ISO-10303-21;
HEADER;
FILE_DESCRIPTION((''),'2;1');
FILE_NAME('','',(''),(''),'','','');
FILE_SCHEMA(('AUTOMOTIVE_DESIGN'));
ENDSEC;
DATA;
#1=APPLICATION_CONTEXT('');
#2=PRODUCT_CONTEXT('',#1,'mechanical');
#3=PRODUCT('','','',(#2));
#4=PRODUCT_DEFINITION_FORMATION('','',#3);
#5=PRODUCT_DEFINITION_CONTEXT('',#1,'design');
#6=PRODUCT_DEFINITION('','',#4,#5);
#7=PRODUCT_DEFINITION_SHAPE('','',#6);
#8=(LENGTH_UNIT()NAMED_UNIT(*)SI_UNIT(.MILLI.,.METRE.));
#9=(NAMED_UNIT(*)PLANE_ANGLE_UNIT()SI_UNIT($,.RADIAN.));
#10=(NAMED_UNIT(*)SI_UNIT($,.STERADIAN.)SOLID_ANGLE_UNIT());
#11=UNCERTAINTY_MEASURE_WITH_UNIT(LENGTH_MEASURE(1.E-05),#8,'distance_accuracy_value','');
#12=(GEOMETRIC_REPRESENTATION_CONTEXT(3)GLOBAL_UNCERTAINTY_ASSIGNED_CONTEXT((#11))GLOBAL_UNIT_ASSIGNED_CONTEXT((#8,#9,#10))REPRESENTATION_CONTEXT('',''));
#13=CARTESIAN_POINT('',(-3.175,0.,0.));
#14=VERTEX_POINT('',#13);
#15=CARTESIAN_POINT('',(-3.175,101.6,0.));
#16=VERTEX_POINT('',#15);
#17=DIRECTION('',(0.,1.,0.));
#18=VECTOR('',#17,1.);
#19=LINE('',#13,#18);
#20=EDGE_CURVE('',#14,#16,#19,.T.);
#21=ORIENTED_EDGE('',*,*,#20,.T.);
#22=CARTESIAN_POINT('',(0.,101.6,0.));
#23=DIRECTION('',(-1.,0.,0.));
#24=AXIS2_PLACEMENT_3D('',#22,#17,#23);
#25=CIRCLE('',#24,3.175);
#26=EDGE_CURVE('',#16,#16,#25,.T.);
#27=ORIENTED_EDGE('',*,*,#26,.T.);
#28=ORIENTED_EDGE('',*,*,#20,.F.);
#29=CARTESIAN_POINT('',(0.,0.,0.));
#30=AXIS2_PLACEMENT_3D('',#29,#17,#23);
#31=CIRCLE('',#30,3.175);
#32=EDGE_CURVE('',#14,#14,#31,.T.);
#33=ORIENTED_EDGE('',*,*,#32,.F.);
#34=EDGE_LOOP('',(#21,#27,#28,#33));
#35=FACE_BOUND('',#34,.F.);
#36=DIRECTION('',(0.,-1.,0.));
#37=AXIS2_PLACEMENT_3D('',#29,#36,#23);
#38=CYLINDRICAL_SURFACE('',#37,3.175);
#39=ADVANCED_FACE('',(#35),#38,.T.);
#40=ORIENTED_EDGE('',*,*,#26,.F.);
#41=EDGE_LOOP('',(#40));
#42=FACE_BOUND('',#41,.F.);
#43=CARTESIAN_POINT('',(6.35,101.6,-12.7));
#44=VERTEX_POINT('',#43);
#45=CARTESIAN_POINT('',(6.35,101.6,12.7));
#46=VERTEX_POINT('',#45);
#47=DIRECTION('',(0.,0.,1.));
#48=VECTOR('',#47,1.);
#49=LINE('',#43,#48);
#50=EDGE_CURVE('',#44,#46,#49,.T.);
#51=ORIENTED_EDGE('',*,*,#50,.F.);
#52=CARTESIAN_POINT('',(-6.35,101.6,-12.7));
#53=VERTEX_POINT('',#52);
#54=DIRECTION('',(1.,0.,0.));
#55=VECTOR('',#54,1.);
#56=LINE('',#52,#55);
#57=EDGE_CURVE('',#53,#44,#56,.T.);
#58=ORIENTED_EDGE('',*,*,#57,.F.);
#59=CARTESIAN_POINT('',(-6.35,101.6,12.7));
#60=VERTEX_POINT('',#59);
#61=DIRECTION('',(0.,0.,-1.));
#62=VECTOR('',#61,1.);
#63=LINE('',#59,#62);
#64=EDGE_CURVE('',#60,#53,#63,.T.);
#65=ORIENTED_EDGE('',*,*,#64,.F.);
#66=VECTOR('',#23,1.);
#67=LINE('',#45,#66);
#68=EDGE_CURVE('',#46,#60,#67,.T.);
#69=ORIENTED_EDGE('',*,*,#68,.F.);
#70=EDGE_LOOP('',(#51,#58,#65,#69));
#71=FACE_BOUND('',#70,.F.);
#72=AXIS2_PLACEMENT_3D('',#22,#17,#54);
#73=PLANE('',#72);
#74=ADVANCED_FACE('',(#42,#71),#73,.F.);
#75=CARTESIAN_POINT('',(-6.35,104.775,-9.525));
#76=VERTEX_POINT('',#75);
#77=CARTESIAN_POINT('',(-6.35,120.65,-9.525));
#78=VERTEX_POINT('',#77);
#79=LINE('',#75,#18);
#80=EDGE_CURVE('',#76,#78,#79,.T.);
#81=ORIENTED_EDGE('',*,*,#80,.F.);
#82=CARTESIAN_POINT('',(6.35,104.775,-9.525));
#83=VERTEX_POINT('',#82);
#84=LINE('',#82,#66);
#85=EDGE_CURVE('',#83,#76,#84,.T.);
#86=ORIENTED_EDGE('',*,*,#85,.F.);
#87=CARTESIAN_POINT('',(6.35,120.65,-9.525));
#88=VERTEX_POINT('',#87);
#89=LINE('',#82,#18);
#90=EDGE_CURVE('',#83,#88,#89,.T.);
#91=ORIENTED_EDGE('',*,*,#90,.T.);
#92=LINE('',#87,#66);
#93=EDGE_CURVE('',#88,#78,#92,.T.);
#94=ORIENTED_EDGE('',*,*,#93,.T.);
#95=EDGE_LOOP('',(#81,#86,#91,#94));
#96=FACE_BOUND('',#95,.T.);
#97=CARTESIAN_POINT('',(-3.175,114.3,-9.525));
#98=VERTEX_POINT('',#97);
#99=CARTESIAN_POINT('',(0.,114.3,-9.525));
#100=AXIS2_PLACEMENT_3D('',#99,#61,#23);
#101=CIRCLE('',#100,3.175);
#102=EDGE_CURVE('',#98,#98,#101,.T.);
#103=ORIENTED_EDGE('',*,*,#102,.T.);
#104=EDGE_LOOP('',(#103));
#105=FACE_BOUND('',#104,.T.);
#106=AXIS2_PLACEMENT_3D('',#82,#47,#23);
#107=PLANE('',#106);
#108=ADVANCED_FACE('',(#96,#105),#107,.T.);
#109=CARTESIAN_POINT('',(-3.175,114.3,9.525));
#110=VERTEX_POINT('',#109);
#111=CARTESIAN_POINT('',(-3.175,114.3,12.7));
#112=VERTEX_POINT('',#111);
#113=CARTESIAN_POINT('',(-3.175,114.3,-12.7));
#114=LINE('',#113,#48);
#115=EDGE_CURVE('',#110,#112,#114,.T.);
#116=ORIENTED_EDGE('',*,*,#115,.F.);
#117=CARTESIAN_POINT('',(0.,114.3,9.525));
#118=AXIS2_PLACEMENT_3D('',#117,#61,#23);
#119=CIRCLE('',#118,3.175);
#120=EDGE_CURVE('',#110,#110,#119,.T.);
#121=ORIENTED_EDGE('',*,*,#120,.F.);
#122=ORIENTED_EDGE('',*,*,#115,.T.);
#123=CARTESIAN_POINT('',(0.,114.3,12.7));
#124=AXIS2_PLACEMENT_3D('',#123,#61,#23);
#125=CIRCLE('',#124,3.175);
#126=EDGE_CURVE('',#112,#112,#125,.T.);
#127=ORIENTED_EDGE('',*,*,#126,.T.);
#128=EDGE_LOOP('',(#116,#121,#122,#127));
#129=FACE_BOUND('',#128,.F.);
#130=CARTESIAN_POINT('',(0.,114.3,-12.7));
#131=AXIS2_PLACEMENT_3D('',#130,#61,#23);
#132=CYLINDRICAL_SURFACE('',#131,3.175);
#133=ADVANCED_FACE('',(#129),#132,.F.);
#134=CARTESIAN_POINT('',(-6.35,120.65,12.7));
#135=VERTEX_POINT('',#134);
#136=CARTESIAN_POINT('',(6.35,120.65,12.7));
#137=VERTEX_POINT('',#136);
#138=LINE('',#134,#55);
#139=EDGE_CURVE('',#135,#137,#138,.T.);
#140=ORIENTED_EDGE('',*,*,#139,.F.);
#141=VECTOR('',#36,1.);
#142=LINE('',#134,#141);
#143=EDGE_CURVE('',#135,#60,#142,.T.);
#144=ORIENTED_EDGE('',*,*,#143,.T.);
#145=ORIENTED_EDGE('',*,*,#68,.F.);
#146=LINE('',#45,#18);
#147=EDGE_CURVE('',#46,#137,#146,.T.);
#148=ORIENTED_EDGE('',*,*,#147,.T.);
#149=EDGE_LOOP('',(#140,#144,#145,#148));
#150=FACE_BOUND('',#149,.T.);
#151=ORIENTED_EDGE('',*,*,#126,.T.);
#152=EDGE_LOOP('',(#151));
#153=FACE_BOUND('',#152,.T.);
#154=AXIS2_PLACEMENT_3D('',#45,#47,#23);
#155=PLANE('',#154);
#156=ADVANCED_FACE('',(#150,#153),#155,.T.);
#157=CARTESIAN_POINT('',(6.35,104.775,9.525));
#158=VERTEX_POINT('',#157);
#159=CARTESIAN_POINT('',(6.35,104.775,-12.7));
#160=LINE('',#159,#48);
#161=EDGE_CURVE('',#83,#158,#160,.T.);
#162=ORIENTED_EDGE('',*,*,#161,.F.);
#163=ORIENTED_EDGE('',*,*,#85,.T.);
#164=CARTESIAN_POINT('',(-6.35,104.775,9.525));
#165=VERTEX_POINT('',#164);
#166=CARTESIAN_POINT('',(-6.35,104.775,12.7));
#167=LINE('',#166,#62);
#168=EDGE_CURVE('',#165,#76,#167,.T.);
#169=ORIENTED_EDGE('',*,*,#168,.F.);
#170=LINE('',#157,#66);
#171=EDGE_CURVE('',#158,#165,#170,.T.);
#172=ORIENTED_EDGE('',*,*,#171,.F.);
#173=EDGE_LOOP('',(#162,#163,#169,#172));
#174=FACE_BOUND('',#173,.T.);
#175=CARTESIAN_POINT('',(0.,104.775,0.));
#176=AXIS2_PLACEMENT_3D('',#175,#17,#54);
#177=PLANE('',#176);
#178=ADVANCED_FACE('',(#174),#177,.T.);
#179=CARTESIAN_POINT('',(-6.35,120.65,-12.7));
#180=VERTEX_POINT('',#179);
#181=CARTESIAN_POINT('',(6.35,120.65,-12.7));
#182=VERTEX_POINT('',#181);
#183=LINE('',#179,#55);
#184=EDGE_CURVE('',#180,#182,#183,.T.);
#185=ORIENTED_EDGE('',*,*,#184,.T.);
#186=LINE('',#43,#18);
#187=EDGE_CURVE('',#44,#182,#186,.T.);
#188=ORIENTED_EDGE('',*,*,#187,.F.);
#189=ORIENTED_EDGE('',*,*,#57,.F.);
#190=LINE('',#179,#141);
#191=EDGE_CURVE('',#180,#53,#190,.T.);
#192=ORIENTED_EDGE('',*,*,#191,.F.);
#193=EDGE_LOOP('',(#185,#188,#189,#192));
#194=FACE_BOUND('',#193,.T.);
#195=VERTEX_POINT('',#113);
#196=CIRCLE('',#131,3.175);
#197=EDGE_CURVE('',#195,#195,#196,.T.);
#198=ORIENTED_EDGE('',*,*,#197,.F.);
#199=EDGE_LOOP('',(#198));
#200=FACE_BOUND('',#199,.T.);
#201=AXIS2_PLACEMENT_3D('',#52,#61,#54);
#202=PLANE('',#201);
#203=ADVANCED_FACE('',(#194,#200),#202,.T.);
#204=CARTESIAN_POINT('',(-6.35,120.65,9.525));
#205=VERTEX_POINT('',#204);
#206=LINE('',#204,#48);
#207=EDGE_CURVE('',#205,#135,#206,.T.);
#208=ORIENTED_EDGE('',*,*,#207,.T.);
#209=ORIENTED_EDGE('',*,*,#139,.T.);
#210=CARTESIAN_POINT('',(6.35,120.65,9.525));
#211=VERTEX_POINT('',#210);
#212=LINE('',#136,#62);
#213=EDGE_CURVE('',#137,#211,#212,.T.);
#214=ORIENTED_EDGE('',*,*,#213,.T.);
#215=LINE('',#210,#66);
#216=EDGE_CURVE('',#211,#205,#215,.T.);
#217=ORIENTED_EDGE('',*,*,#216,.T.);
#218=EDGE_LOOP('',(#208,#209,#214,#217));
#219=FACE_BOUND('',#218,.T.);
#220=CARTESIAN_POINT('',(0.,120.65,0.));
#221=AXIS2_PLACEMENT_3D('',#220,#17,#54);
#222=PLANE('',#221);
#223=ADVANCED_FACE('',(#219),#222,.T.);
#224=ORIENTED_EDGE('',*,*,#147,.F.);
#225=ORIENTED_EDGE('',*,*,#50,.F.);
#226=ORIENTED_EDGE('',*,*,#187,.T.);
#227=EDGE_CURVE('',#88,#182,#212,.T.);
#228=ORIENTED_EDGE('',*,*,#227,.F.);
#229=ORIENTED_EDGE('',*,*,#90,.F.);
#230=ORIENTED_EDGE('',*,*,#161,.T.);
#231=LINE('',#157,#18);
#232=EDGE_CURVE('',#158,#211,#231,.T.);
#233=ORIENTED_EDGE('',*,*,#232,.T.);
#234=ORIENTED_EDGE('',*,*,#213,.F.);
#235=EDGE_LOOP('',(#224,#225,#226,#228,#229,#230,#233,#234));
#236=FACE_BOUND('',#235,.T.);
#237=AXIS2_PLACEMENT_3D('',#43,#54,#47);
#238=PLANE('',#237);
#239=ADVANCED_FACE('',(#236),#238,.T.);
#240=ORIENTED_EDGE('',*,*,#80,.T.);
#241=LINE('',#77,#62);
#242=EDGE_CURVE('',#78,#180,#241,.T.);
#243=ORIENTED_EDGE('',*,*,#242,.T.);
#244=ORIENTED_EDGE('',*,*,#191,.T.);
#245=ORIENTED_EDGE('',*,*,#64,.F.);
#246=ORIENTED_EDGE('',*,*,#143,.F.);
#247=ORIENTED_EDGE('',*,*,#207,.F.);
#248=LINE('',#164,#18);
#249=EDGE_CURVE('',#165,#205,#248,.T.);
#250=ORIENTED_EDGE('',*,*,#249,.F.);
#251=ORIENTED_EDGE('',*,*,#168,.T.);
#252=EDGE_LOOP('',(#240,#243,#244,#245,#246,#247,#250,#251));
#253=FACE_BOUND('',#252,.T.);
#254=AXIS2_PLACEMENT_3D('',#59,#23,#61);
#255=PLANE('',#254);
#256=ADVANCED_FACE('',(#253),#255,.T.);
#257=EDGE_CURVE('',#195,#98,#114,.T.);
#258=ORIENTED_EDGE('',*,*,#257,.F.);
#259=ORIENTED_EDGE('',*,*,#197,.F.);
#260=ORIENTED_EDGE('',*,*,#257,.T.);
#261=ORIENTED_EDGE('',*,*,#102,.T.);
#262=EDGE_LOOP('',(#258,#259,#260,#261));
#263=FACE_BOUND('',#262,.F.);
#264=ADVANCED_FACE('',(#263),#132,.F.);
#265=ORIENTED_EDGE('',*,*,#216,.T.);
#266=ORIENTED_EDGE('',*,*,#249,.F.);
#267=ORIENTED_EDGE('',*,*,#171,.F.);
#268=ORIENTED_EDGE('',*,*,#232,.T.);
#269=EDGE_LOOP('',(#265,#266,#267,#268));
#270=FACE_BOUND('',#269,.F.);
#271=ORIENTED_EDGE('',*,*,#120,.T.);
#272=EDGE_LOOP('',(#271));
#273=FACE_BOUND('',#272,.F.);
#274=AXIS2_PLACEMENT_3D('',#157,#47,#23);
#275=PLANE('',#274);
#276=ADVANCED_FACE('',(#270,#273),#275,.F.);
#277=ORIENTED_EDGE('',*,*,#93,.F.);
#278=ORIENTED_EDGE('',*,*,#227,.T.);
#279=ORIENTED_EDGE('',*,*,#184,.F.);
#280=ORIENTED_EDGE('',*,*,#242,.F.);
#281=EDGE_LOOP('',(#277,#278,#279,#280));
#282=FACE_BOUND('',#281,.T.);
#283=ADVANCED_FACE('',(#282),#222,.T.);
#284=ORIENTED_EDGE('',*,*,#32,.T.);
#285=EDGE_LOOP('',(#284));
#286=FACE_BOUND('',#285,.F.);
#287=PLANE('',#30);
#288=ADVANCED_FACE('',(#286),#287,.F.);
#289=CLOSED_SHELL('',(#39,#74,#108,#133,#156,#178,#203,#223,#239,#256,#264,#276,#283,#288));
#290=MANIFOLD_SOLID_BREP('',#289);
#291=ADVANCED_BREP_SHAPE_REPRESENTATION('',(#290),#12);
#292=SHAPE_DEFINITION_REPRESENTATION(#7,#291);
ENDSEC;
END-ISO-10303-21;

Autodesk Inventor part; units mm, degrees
ref_plane "YZ Plane" through (0, 0, 0) normal (1, 0, 0) x (0, 1, 0)
ref_plane "XZ Plane" through (0, 0, 0) normal (0, 1, 0) x (-1, 0, 0)
ref_plane "XY Plane" through (0, 0, 0) normal (0, 0, 1) x (1, 0, 0)
sketch "Sketch1" plane through (0, 0, 0) normal (0, 1, 0) x (-1, 0, 0)
  circle A0 centre (0, 0) radius 3.175
  dimension "d0" = 6.35
extrude "Extrusion1" add sketch "Sketch1" along normal blind 101.6
sketch "Sketch2" plane through (0, 101.6, 0) normal (0, 1, 0) x (1, 0, 0)
  line L0 (6.35, -12.7) -> (-6.35, -12.7)
  line L1 (-6.35, -12.7) -> (-6.35, 12.7)
  line L2 (-6.35, 12.7) -> (6.35, 12.7)
  line L3 (6.35, 12.7) -> (6.35, -12.7)
  line L4 (6.35, -12.7) -> (-6.35, 12.7) construction
  line L5 (-6.35, -12.7) -> (6.35, 12.7) construction
  point P0 (0, 0)
  dimension "d3" = 12.7
  dimension "d4" = 25.4
extrude "Extrusion2" add sketch "Sketch2" along normal blind 3.175
sketch "Sketch3" plane through (0, 104.775, 0) normal (0, 1, 0) x (1, 0, 0)
  point P0 (0, 0)
sketch "Sketch4" plane through (0, 104.775, 0) normal (0, 1, 0) x (1, 0, 0)
  line L0 (6.35, -12.7) -> (6.35, 12.7) projected
  line L1 (-6.35, -12.7) -> (6.35, -12.7)
  line L2 (6.35, -12.7) -> (6.35, -9.525)
  line L3 (6.35, -9.525) -> (-6.35, -9.525)
  line L4 (-6.35, -9.525) -> (-6.35, -12.7)
  line L5 (-6.35, 12.7) -> (6.35, 12.7)
  line L6 (6.35, 12.7) -> (6.35, 9.525)
  line L7 (6.35, 9.525) -> (-6.35, 9.525)
  line L8 (-6.35, 9.525) -> (-6.35, 12.7)
  line L9 (6.35, 12.7) -> (-6.35, 12.7) projected
  point P0 (0, 0)
  dimension "d7" = 3.175
  dimension "d8" = 3.175
  dimension "d9" = 0
extrude "Extrusion3" add sketch "Sketch4" along normal blind 15.875
sketch "Sketch5" plane through (6.35, 101.6, -12.7) normal (0, 0, -1) x (-1, 0, 0)
  circle A0 centre (6.35, 12.7) radius 3.175
  line L0 (12.7, 0) -> (0, 0) projected
  point P0 (6.35, -101.6)
  dimension "d12" = 6.35
  dimension "d13" = 12.7
extrude "Extrusion4" cut sketch "Sketch5" against normal blind 50.8
properties part number "PC3.5-ROD"
